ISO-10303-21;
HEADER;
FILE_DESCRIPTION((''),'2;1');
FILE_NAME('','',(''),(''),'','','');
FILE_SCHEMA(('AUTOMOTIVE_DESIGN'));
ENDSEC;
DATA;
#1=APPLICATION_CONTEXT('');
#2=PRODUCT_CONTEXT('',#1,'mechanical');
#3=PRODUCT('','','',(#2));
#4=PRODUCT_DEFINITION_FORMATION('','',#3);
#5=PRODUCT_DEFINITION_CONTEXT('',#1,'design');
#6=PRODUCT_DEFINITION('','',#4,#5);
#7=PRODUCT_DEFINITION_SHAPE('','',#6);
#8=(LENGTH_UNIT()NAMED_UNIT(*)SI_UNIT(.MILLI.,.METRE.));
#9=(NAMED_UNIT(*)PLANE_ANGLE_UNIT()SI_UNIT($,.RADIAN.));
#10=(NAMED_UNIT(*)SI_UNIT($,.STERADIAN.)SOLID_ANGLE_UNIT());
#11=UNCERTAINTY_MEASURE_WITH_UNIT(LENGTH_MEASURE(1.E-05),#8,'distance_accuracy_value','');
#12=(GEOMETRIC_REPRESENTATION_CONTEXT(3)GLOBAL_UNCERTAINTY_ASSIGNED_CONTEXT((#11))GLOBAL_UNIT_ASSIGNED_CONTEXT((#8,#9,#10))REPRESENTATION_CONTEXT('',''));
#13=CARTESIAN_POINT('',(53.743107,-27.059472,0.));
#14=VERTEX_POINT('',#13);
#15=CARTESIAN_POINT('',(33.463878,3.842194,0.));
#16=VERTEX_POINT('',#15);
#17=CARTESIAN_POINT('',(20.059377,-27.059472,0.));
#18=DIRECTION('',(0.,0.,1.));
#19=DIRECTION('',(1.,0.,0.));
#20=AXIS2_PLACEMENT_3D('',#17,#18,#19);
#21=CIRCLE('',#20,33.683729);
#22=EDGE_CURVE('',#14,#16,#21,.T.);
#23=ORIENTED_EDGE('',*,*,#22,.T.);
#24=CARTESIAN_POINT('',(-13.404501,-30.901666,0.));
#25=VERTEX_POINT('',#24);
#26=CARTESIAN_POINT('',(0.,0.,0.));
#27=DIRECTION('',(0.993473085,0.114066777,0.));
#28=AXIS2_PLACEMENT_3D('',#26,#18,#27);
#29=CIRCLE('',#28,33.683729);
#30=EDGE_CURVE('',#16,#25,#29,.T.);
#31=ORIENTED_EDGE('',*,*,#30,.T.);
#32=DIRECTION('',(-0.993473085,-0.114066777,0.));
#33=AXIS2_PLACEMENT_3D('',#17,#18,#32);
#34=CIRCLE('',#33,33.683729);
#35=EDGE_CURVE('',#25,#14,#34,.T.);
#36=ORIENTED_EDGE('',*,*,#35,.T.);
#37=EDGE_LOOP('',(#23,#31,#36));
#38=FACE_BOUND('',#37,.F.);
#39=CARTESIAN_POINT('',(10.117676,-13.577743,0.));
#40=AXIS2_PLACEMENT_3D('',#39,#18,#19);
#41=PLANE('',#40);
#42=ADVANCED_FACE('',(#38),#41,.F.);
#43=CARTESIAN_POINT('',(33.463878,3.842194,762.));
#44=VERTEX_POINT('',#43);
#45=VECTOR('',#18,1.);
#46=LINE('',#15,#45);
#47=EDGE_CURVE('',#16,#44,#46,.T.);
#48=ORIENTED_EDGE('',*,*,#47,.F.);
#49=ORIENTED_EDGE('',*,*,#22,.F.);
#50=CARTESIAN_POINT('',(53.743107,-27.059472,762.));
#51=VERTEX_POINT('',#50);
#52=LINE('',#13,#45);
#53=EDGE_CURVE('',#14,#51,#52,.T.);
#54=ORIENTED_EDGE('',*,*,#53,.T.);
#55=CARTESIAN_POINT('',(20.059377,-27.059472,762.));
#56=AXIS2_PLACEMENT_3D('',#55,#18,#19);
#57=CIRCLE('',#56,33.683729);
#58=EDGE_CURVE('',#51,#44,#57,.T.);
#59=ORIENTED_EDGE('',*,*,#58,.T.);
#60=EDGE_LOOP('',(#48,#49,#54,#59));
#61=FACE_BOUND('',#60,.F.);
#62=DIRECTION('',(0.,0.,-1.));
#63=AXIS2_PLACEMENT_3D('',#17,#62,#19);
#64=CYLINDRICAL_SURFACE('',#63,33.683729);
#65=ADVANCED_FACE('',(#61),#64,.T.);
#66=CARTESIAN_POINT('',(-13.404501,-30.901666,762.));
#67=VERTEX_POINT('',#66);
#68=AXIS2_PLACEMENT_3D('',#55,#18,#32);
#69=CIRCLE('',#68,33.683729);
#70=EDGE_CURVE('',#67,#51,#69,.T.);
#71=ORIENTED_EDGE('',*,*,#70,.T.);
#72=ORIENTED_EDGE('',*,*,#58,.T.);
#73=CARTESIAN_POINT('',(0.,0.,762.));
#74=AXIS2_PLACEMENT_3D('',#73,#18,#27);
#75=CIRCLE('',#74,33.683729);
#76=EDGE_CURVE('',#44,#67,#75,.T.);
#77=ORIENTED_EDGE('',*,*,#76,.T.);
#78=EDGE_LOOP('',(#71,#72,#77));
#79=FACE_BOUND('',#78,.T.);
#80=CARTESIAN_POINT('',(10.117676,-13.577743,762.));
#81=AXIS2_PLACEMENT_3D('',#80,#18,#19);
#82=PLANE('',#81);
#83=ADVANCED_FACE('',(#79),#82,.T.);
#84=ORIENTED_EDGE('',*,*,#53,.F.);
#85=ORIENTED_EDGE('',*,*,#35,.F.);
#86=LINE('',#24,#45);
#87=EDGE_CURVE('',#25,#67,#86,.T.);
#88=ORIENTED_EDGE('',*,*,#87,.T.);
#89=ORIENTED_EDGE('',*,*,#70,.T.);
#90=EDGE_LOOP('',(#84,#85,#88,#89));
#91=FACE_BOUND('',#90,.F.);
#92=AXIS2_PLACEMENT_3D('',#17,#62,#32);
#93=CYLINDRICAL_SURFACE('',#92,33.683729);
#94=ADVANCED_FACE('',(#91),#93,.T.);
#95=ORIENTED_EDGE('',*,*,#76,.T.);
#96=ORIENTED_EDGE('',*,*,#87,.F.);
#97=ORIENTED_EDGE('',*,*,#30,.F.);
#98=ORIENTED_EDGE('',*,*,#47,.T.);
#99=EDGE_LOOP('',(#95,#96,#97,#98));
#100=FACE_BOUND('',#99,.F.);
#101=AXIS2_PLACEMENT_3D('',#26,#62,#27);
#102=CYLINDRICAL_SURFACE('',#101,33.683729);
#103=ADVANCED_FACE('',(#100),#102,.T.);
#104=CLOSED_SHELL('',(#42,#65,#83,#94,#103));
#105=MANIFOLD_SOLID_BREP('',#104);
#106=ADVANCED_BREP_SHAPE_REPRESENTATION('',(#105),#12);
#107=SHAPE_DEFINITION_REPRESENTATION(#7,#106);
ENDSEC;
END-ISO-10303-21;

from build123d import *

# Parameters (mm, degrees)
F1_DEPTH = 762


with BuildPart() as f1:
    # F0 (on Top) → F1 (new body)
    with BuildSketch(Plane.XY):
        with BuildLine():
            ThreePointArc((-13.4045012435, -30.9016660698), (18.48080123, -28.1612074558), (33.6837292988, 0))
            ThreePointArc((33.6837292988, 0), (33.628721673, 1.9242396195), (33.4638784574, 3.842194433))
            ThreePointArc((33.4638784574, 3.842194433), (0, 0), (-13.4045012435, -30.9016660698))
        make_face()
        with BuildLine():
            ThreePointArc((33.4638784574, 3.842194433), (33.628721673, 1.9242396195), (33.6837292988, 0))
            ThreePointArc((33.6837292988, 0), (18.48080123, -28.1612074558), (-13.4045012435, -30.9016660698))
            ThreePointArc((-13.4045012435, -30.9016660698), (21.9836168335, -60.6881933098), (53.7431065127, -27.0594716368))
            ThreePointArc((53.7431065127, -27.0594716368), (48.2205846698, -8.5786704068), (33.4638784574, 3.842194433))
        make_face()
        with BuildLine():
            ThreePointArc((-13.4045012435, -30.9016660698), (0, 0), (33.4638784574, 3.842194433))
            ThreePointArc((33.4638784574, 3.842194433), (-20.0593772139, 27.0594716368), (-13.4045012435, -30.9016660698))
        make_face()
    extrude(amount=F1_DEPTH)


solid = f1.part
